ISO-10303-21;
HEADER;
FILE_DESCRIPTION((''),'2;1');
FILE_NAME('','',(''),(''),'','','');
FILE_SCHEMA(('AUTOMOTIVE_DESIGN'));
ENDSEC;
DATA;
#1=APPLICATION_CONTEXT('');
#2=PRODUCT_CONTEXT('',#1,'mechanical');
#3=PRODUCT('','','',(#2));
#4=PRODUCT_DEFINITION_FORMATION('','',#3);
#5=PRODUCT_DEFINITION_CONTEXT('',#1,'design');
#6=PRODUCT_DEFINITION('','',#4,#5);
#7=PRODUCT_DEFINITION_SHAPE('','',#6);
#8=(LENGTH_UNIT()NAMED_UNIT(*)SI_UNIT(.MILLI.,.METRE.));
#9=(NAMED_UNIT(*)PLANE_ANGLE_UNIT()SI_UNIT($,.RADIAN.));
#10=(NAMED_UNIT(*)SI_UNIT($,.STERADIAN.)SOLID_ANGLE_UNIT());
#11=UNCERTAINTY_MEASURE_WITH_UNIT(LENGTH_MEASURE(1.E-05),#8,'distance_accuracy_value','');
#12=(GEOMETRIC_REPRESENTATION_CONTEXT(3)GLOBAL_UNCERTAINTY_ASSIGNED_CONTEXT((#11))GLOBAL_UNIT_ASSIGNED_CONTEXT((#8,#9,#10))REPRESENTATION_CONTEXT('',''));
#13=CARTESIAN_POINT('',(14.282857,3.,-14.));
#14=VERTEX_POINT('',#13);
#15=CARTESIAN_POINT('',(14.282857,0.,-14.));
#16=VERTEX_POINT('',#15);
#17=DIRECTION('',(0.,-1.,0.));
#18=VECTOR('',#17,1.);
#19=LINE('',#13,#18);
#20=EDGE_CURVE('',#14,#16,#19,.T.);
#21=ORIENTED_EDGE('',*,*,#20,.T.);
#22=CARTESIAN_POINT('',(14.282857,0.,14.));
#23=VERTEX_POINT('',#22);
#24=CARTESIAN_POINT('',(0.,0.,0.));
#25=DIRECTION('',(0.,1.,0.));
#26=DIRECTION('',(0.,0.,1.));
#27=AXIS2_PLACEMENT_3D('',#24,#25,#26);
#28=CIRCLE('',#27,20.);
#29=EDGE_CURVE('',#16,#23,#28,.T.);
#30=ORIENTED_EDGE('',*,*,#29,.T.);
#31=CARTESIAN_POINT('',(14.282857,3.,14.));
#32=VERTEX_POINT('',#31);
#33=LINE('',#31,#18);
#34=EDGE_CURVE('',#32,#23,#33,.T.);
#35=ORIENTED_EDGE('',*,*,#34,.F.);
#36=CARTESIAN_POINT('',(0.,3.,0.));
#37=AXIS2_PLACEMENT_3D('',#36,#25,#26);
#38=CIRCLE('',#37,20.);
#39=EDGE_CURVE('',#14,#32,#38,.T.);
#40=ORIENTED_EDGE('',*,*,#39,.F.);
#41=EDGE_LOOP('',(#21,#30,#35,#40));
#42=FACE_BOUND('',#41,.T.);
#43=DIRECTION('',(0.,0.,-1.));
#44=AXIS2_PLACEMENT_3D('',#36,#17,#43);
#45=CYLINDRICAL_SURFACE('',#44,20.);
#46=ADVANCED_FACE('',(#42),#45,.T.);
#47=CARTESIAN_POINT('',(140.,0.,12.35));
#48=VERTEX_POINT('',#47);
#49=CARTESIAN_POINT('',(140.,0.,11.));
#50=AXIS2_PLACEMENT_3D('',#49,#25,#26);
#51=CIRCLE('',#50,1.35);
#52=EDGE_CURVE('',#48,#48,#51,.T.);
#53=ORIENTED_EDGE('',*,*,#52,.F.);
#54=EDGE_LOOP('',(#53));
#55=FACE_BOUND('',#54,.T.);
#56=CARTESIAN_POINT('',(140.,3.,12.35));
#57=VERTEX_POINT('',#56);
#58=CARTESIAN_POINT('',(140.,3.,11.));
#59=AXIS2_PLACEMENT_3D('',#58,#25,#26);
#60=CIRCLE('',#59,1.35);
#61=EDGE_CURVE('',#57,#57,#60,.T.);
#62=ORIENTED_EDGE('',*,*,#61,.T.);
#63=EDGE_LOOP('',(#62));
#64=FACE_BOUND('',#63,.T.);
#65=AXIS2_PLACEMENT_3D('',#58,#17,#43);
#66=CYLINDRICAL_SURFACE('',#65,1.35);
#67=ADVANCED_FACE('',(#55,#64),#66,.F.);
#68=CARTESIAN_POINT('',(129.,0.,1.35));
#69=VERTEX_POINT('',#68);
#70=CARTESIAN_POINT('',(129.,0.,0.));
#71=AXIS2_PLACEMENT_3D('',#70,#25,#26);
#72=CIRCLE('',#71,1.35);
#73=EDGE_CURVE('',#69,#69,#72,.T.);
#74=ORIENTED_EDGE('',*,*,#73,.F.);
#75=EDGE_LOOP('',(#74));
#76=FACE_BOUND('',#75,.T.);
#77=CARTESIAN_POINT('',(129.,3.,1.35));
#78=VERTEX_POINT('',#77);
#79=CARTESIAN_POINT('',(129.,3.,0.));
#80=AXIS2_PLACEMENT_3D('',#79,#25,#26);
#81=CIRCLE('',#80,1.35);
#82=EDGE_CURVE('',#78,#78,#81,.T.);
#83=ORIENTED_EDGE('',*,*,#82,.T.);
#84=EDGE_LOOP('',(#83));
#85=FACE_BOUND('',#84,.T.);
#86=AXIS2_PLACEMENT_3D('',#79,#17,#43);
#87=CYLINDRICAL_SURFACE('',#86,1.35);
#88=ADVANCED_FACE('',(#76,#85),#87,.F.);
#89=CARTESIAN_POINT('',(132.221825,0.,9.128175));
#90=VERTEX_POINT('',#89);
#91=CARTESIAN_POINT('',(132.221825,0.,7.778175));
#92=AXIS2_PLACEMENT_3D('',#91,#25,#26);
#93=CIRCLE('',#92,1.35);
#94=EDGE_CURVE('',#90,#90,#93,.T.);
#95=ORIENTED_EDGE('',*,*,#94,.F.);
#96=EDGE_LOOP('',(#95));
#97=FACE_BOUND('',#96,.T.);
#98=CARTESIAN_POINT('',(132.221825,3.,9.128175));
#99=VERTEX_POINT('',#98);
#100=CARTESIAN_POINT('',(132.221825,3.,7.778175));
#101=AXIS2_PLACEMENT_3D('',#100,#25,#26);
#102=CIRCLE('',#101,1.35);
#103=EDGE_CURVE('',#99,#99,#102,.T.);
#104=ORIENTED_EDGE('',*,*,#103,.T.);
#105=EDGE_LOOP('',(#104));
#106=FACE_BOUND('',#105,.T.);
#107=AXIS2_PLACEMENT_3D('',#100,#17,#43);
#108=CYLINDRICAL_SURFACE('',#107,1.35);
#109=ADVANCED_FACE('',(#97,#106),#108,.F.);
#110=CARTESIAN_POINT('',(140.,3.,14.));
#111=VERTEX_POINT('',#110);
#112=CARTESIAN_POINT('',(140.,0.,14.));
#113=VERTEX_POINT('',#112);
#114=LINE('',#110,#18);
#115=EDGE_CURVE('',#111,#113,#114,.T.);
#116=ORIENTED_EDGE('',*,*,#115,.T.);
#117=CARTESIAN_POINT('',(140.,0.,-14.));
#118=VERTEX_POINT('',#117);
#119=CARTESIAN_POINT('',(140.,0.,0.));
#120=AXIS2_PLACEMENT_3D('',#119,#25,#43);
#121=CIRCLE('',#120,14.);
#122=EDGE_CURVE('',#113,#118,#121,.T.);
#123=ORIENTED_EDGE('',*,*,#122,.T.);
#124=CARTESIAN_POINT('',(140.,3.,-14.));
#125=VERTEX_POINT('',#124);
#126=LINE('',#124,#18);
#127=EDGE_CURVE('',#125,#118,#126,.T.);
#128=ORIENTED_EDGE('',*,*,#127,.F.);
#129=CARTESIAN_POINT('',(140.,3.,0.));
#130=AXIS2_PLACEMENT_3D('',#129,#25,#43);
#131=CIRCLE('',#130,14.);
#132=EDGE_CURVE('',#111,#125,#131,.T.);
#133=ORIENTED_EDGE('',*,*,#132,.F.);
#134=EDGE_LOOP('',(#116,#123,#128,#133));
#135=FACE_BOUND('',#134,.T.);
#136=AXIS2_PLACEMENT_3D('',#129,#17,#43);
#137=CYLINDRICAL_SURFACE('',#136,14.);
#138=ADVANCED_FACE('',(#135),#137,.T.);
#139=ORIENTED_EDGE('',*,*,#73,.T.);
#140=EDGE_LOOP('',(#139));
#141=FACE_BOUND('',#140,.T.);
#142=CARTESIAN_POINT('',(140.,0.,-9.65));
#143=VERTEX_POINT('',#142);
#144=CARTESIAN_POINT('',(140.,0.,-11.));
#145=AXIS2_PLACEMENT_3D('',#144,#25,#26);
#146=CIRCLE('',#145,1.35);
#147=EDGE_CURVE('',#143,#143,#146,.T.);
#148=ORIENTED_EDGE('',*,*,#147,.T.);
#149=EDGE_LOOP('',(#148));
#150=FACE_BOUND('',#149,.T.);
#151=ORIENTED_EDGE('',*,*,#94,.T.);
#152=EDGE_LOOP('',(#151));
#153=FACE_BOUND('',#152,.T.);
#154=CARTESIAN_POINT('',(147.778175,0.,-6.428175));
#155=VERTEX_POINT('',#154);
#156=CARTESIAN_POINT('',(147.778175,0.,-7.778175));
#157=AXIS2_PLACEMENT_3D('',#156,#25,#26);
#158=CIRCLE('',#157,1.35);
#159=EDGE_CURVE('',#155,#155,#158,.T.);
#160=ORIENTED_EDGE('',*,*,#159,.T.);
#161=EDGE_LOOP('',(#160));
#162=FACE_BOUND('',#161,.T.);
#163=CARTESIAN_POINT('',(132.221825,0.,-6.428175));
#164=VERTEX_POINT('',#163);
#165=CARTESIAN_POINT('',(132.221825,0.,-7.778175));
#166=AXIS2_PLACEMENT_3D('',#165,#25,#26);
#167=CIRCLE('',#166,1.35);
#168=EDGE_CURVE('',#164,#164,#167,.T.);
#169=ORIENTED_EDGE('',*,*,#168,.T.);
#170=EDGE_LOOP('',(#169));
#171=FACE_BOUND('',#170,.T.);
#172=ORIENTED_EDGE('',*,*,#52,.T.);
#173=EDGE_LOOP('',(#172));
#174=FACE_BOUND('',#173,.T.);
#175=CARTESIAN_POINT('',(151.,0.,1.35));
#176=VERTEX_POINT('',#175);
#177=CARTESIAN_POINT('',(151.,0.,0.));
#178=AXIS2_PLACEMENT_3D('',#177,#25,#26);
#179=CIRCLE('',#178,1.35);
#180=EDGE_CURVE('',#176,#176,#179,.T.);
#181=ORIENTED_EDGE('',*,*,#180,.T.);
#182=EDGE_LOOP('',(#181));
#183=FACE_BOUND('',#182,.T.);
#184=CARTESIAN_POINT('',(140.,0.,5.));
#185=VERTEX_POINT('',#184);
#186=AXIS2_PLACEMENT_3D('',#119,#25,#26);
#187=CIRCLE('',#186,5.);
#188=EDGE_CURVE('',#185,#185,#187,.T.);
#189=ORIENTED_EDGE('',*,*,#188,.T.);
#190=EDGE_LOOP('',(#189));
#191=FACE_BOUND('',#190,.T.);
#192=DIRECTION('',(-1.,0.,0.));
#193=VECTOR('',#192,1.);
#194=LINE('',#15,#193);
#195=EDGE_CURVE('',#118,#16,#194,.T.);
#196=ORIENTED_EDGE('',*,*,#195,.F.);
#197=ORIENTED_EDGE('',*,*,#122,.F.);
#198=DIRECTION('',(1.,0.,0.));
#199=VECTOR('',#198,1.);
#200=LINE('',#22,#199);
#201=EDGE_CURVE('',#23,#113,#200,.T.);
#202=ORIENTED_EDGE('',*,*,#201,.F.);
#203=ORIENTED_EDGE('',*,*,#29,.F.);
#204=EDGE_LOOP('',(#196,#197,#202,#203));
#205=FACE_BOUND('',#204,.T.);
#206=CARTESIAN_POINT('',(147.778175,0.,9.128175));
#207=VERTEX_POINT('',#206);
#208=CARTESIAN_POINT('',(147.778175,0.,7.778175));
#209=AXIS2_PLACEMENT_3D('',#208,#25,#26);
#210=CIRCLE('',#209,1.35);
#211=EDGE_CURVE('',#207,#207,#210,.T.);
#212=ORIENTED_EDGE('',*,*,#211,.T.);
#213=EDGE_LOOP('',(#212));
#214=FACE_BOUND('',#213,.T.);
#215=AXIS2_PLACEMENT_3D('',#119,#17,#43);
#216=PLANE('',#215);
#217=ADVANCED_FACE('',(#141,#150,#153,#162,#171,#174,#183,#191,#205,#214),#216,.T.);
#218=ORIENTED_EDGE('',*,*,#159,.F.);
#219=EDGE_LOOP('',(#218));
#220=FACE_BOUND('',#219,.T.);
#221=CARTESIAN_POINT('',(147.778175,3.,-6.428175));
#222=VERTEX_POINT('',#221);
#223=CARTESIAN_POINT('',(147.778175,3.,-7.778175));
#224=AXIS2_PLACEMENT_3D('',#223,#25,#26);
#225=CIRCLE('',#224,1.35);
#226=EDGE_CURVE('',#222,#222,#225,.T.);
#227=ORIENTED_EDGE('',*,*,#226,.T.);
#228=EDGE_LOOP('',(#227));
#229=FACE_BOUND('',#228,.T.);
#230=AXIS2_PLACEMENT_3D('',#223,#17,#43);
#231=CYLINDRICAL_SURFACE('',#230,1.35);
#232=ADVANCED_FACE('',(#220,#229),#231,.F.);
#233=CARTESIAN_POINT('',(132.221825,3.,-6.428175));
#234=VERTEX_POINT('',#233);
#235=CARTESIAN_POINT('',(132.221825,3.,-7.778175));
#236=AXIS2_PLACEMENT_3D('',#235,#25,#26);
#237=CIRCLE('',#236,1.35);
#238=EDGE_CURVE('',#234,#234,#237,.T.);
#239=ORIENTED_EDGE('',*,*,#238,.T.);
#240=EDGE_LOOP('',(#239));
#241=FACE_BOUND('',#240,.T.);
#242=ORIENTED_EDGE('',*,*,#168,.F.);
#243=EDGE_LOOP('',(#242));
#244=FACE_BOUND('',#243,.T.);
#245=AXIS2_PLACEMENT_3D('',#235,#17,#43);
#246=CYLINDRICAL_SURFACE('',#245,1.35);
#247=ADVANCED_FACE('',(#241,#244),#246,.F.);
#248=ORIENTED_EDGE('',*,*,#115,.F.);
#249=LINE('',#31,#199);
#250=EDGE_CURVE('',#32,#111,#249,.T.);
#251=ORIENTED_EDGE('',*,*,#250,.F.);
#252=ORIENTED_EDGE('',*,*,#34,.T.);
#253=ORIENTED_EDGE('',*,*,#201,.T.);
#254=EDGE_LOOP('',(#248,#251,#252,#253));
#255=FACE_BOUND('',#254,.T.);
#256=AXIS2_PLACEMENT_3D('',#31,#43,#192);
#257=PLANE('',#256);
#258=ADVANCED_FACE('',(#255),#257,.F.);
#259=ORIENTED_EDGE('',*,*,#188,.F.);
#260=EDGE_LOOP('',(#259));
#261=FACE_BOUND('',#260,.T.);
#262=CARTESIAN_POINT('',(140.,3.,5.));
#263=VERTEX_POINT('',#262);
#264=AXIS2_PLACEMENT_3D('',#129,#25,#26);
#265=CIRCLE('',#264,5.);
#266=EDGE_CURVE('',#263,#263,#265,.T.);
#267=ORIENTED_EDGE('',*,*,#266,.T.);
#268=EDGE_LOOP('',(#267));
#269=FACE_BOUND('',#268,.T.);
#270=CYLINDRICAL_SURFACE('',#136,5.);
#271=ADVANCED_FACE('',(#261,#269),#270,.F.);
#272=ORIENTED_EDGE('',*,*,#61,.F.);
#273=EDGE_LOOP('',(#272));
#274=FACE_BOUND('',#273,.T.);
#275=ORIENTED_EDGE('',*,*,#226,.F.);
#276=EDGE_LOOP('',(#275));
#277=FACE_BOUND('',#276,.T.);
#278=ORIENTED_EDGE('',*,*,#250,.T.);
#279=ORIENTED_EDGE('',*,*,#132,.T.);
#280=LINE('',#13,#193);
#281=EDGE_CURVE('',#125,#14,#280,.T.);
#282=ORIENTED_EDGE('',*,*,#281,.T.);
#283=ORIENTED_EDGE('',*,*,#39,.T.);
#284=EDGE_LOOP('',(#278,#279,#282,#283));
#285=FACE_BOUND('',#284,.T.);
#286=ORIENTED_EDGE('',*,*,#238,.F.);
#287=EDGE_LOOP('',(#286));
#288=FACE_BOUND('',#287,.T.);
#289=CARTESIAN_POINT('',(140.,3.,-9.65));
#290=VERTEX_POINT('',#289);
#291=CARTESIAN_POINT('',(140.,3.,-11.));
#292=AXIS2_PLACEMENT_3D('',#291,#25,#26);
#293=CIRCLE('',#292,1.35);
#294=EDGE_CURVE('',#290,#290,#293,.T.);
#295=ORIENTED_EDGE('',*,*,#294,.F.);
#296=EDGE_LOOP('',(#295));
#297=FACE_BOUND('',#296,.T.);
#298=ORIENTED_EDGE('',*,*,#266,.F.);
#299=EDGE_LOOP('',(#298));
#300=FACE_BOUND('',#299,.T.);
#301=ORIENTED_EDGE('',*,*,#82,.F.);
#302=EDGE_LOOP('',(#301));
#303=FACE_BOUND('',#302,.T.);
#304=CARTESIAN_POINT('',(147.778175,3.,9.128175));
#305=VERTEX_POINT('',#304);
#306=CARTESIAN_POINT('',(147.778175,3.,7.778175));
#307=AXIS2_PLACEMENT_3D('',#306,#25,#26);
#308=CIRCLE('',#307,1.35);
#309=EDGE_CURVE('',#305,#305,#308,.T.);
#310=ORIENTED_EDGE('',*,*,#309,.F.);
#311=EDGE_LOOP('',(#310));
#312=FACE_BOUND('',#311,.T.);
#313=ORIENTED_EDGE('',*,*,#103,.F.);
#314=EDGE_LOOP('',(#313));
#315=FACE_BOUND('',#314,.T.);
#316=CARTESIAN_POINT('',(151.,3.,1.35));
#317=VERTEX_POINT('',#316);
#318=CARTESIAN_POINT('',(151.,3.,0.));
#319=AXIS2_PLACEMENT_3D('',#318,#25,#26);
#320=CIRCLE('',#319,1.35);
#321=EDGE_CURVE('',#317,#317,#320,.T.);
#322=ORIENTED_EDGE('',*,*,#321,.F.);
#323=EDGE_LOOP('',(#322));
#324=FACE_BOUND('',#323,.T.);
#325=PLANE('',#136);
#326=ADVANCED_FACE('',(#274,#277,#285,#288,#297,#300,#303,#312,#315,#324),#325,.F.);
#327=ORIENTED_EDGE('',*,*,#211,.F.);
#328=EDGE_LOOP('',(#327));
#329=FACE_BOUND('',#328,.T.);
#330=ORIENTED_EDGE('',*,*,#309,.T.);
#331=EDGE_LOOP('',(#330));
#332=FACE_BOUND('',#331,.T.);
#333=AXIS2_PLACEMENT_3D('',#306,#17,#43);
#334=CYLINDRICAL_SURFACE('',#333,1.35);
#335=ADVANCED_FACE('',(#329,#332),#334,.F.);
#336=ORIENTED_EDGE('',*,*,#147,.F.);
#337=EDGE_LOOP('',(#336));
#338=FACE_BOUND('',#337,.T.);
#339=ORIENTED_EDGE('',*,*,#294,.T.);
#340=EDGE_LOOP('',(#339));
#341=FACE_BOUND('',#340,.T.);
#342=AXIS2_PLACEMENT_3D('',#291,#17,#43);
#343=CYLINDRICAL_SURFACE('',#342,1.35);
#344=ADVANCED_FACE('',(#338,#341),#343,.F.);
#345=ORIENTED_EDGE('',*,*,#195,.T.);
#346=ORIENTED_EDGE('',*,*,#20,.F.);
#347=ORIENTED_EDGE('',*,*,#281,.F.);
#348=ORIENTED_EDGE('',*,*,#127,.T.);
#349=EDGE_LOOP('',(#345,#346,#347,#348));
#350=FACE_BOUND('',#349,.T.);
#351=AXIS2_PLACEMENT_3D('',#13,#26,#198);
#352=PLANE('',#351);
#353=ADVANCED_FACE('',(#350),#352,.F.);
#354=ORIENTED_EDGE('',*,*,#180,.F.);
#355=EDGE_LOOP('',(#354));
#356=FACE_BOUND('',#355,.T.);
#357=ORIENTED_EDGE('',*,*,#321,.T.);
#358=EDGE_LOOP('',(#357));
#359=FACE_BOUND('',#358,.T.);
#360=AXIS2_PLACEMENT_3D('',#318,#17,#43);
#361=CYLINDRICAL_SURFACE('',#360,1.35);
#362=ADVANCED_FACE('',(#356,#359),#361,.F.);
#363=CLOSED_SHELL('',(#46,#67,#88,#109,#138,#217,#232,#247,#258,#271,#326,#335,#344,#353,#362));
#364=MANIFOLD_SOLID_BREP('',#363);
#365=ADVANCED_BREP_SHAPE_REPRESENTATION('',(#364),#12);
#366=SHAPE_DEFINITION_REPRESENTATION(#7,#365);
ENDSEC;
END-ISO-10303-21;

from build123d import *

# Parameters (mm, degrees)
SKETCH_1_R      = 5
SKETCH_1_R_2    = 1.35
EXTRUDE_1_DEPTH = 3


with BuildPart() as part:
    # 草图1 → 凸台-拉伸1 (new body)
    with BuildSketch(Plane(origin=(0, 0, 0), x_dir=(1, 0, 0), z_dir=(0, 1, 0))):
        with BuildLine():
            Line((14.282856857, -14), (140, -14))
            ThreePointArc((140, -14), (154, 0), (140, 14))
            Line((140, 14), (14.282856857, 14))
            ThreePointArc((14.282856857, 14), (-20, 0), (14.282856857, -14))
        make_face()
        with Locations(Location((140, 0, 0), (0, 0, 270))):
            Circle(SKETCH_1_R, mode=Mode.SUBTRACT)
        with Locations(Location((140, 11, 0), (0, 0, 270))):
            Circle(SKETCH_1_R_2, mode=Mode.SUBTRACT)
        with Locations(Location((147.778174593, 7.778174593, 0), (0, 0, 270))):
            Circle(SKETCH_1_R_2, mode=Mode.SUBTRACT)
        with Locations(Location((151, 0, 0), (0, 0, 270))):
            Circle(SKETCH_1_R_2, mode=Mode.SUBTRACT)
        with Locations(Location((147.778174593, -7.778174593, 0), (0, 0, 270))):
            Circle(SKETCH_1_R_2, mode=Mode.SUBTRACT)
        with Locations(Location((140, -11, 0), (0, 0, 270))):
            Circle(SKETCH_1_R_2, mode=Mode.SUBTRACT)
        with Locations(Location((132.221825407, -7.778174593, 0), (0, 0, 270))):
            Circle(SKETCH_1_R_2, mode=Mode.SUBTRACT)
        with Locations(Location((129, 0, 0), (0, 0, 270))):
            Circle(SKETCH_1_R_2, mode=Mode.SUBTRACT)
        with Locations(Location((132.221825407, 7.778174593, 0), (0, 0, 270))):
            Circle(SKETCH_1_R_2, mode=Mode.SUBTRACT)
    extrude(amount=EXTRUDE_1_DEPTH)


solid = part.part
